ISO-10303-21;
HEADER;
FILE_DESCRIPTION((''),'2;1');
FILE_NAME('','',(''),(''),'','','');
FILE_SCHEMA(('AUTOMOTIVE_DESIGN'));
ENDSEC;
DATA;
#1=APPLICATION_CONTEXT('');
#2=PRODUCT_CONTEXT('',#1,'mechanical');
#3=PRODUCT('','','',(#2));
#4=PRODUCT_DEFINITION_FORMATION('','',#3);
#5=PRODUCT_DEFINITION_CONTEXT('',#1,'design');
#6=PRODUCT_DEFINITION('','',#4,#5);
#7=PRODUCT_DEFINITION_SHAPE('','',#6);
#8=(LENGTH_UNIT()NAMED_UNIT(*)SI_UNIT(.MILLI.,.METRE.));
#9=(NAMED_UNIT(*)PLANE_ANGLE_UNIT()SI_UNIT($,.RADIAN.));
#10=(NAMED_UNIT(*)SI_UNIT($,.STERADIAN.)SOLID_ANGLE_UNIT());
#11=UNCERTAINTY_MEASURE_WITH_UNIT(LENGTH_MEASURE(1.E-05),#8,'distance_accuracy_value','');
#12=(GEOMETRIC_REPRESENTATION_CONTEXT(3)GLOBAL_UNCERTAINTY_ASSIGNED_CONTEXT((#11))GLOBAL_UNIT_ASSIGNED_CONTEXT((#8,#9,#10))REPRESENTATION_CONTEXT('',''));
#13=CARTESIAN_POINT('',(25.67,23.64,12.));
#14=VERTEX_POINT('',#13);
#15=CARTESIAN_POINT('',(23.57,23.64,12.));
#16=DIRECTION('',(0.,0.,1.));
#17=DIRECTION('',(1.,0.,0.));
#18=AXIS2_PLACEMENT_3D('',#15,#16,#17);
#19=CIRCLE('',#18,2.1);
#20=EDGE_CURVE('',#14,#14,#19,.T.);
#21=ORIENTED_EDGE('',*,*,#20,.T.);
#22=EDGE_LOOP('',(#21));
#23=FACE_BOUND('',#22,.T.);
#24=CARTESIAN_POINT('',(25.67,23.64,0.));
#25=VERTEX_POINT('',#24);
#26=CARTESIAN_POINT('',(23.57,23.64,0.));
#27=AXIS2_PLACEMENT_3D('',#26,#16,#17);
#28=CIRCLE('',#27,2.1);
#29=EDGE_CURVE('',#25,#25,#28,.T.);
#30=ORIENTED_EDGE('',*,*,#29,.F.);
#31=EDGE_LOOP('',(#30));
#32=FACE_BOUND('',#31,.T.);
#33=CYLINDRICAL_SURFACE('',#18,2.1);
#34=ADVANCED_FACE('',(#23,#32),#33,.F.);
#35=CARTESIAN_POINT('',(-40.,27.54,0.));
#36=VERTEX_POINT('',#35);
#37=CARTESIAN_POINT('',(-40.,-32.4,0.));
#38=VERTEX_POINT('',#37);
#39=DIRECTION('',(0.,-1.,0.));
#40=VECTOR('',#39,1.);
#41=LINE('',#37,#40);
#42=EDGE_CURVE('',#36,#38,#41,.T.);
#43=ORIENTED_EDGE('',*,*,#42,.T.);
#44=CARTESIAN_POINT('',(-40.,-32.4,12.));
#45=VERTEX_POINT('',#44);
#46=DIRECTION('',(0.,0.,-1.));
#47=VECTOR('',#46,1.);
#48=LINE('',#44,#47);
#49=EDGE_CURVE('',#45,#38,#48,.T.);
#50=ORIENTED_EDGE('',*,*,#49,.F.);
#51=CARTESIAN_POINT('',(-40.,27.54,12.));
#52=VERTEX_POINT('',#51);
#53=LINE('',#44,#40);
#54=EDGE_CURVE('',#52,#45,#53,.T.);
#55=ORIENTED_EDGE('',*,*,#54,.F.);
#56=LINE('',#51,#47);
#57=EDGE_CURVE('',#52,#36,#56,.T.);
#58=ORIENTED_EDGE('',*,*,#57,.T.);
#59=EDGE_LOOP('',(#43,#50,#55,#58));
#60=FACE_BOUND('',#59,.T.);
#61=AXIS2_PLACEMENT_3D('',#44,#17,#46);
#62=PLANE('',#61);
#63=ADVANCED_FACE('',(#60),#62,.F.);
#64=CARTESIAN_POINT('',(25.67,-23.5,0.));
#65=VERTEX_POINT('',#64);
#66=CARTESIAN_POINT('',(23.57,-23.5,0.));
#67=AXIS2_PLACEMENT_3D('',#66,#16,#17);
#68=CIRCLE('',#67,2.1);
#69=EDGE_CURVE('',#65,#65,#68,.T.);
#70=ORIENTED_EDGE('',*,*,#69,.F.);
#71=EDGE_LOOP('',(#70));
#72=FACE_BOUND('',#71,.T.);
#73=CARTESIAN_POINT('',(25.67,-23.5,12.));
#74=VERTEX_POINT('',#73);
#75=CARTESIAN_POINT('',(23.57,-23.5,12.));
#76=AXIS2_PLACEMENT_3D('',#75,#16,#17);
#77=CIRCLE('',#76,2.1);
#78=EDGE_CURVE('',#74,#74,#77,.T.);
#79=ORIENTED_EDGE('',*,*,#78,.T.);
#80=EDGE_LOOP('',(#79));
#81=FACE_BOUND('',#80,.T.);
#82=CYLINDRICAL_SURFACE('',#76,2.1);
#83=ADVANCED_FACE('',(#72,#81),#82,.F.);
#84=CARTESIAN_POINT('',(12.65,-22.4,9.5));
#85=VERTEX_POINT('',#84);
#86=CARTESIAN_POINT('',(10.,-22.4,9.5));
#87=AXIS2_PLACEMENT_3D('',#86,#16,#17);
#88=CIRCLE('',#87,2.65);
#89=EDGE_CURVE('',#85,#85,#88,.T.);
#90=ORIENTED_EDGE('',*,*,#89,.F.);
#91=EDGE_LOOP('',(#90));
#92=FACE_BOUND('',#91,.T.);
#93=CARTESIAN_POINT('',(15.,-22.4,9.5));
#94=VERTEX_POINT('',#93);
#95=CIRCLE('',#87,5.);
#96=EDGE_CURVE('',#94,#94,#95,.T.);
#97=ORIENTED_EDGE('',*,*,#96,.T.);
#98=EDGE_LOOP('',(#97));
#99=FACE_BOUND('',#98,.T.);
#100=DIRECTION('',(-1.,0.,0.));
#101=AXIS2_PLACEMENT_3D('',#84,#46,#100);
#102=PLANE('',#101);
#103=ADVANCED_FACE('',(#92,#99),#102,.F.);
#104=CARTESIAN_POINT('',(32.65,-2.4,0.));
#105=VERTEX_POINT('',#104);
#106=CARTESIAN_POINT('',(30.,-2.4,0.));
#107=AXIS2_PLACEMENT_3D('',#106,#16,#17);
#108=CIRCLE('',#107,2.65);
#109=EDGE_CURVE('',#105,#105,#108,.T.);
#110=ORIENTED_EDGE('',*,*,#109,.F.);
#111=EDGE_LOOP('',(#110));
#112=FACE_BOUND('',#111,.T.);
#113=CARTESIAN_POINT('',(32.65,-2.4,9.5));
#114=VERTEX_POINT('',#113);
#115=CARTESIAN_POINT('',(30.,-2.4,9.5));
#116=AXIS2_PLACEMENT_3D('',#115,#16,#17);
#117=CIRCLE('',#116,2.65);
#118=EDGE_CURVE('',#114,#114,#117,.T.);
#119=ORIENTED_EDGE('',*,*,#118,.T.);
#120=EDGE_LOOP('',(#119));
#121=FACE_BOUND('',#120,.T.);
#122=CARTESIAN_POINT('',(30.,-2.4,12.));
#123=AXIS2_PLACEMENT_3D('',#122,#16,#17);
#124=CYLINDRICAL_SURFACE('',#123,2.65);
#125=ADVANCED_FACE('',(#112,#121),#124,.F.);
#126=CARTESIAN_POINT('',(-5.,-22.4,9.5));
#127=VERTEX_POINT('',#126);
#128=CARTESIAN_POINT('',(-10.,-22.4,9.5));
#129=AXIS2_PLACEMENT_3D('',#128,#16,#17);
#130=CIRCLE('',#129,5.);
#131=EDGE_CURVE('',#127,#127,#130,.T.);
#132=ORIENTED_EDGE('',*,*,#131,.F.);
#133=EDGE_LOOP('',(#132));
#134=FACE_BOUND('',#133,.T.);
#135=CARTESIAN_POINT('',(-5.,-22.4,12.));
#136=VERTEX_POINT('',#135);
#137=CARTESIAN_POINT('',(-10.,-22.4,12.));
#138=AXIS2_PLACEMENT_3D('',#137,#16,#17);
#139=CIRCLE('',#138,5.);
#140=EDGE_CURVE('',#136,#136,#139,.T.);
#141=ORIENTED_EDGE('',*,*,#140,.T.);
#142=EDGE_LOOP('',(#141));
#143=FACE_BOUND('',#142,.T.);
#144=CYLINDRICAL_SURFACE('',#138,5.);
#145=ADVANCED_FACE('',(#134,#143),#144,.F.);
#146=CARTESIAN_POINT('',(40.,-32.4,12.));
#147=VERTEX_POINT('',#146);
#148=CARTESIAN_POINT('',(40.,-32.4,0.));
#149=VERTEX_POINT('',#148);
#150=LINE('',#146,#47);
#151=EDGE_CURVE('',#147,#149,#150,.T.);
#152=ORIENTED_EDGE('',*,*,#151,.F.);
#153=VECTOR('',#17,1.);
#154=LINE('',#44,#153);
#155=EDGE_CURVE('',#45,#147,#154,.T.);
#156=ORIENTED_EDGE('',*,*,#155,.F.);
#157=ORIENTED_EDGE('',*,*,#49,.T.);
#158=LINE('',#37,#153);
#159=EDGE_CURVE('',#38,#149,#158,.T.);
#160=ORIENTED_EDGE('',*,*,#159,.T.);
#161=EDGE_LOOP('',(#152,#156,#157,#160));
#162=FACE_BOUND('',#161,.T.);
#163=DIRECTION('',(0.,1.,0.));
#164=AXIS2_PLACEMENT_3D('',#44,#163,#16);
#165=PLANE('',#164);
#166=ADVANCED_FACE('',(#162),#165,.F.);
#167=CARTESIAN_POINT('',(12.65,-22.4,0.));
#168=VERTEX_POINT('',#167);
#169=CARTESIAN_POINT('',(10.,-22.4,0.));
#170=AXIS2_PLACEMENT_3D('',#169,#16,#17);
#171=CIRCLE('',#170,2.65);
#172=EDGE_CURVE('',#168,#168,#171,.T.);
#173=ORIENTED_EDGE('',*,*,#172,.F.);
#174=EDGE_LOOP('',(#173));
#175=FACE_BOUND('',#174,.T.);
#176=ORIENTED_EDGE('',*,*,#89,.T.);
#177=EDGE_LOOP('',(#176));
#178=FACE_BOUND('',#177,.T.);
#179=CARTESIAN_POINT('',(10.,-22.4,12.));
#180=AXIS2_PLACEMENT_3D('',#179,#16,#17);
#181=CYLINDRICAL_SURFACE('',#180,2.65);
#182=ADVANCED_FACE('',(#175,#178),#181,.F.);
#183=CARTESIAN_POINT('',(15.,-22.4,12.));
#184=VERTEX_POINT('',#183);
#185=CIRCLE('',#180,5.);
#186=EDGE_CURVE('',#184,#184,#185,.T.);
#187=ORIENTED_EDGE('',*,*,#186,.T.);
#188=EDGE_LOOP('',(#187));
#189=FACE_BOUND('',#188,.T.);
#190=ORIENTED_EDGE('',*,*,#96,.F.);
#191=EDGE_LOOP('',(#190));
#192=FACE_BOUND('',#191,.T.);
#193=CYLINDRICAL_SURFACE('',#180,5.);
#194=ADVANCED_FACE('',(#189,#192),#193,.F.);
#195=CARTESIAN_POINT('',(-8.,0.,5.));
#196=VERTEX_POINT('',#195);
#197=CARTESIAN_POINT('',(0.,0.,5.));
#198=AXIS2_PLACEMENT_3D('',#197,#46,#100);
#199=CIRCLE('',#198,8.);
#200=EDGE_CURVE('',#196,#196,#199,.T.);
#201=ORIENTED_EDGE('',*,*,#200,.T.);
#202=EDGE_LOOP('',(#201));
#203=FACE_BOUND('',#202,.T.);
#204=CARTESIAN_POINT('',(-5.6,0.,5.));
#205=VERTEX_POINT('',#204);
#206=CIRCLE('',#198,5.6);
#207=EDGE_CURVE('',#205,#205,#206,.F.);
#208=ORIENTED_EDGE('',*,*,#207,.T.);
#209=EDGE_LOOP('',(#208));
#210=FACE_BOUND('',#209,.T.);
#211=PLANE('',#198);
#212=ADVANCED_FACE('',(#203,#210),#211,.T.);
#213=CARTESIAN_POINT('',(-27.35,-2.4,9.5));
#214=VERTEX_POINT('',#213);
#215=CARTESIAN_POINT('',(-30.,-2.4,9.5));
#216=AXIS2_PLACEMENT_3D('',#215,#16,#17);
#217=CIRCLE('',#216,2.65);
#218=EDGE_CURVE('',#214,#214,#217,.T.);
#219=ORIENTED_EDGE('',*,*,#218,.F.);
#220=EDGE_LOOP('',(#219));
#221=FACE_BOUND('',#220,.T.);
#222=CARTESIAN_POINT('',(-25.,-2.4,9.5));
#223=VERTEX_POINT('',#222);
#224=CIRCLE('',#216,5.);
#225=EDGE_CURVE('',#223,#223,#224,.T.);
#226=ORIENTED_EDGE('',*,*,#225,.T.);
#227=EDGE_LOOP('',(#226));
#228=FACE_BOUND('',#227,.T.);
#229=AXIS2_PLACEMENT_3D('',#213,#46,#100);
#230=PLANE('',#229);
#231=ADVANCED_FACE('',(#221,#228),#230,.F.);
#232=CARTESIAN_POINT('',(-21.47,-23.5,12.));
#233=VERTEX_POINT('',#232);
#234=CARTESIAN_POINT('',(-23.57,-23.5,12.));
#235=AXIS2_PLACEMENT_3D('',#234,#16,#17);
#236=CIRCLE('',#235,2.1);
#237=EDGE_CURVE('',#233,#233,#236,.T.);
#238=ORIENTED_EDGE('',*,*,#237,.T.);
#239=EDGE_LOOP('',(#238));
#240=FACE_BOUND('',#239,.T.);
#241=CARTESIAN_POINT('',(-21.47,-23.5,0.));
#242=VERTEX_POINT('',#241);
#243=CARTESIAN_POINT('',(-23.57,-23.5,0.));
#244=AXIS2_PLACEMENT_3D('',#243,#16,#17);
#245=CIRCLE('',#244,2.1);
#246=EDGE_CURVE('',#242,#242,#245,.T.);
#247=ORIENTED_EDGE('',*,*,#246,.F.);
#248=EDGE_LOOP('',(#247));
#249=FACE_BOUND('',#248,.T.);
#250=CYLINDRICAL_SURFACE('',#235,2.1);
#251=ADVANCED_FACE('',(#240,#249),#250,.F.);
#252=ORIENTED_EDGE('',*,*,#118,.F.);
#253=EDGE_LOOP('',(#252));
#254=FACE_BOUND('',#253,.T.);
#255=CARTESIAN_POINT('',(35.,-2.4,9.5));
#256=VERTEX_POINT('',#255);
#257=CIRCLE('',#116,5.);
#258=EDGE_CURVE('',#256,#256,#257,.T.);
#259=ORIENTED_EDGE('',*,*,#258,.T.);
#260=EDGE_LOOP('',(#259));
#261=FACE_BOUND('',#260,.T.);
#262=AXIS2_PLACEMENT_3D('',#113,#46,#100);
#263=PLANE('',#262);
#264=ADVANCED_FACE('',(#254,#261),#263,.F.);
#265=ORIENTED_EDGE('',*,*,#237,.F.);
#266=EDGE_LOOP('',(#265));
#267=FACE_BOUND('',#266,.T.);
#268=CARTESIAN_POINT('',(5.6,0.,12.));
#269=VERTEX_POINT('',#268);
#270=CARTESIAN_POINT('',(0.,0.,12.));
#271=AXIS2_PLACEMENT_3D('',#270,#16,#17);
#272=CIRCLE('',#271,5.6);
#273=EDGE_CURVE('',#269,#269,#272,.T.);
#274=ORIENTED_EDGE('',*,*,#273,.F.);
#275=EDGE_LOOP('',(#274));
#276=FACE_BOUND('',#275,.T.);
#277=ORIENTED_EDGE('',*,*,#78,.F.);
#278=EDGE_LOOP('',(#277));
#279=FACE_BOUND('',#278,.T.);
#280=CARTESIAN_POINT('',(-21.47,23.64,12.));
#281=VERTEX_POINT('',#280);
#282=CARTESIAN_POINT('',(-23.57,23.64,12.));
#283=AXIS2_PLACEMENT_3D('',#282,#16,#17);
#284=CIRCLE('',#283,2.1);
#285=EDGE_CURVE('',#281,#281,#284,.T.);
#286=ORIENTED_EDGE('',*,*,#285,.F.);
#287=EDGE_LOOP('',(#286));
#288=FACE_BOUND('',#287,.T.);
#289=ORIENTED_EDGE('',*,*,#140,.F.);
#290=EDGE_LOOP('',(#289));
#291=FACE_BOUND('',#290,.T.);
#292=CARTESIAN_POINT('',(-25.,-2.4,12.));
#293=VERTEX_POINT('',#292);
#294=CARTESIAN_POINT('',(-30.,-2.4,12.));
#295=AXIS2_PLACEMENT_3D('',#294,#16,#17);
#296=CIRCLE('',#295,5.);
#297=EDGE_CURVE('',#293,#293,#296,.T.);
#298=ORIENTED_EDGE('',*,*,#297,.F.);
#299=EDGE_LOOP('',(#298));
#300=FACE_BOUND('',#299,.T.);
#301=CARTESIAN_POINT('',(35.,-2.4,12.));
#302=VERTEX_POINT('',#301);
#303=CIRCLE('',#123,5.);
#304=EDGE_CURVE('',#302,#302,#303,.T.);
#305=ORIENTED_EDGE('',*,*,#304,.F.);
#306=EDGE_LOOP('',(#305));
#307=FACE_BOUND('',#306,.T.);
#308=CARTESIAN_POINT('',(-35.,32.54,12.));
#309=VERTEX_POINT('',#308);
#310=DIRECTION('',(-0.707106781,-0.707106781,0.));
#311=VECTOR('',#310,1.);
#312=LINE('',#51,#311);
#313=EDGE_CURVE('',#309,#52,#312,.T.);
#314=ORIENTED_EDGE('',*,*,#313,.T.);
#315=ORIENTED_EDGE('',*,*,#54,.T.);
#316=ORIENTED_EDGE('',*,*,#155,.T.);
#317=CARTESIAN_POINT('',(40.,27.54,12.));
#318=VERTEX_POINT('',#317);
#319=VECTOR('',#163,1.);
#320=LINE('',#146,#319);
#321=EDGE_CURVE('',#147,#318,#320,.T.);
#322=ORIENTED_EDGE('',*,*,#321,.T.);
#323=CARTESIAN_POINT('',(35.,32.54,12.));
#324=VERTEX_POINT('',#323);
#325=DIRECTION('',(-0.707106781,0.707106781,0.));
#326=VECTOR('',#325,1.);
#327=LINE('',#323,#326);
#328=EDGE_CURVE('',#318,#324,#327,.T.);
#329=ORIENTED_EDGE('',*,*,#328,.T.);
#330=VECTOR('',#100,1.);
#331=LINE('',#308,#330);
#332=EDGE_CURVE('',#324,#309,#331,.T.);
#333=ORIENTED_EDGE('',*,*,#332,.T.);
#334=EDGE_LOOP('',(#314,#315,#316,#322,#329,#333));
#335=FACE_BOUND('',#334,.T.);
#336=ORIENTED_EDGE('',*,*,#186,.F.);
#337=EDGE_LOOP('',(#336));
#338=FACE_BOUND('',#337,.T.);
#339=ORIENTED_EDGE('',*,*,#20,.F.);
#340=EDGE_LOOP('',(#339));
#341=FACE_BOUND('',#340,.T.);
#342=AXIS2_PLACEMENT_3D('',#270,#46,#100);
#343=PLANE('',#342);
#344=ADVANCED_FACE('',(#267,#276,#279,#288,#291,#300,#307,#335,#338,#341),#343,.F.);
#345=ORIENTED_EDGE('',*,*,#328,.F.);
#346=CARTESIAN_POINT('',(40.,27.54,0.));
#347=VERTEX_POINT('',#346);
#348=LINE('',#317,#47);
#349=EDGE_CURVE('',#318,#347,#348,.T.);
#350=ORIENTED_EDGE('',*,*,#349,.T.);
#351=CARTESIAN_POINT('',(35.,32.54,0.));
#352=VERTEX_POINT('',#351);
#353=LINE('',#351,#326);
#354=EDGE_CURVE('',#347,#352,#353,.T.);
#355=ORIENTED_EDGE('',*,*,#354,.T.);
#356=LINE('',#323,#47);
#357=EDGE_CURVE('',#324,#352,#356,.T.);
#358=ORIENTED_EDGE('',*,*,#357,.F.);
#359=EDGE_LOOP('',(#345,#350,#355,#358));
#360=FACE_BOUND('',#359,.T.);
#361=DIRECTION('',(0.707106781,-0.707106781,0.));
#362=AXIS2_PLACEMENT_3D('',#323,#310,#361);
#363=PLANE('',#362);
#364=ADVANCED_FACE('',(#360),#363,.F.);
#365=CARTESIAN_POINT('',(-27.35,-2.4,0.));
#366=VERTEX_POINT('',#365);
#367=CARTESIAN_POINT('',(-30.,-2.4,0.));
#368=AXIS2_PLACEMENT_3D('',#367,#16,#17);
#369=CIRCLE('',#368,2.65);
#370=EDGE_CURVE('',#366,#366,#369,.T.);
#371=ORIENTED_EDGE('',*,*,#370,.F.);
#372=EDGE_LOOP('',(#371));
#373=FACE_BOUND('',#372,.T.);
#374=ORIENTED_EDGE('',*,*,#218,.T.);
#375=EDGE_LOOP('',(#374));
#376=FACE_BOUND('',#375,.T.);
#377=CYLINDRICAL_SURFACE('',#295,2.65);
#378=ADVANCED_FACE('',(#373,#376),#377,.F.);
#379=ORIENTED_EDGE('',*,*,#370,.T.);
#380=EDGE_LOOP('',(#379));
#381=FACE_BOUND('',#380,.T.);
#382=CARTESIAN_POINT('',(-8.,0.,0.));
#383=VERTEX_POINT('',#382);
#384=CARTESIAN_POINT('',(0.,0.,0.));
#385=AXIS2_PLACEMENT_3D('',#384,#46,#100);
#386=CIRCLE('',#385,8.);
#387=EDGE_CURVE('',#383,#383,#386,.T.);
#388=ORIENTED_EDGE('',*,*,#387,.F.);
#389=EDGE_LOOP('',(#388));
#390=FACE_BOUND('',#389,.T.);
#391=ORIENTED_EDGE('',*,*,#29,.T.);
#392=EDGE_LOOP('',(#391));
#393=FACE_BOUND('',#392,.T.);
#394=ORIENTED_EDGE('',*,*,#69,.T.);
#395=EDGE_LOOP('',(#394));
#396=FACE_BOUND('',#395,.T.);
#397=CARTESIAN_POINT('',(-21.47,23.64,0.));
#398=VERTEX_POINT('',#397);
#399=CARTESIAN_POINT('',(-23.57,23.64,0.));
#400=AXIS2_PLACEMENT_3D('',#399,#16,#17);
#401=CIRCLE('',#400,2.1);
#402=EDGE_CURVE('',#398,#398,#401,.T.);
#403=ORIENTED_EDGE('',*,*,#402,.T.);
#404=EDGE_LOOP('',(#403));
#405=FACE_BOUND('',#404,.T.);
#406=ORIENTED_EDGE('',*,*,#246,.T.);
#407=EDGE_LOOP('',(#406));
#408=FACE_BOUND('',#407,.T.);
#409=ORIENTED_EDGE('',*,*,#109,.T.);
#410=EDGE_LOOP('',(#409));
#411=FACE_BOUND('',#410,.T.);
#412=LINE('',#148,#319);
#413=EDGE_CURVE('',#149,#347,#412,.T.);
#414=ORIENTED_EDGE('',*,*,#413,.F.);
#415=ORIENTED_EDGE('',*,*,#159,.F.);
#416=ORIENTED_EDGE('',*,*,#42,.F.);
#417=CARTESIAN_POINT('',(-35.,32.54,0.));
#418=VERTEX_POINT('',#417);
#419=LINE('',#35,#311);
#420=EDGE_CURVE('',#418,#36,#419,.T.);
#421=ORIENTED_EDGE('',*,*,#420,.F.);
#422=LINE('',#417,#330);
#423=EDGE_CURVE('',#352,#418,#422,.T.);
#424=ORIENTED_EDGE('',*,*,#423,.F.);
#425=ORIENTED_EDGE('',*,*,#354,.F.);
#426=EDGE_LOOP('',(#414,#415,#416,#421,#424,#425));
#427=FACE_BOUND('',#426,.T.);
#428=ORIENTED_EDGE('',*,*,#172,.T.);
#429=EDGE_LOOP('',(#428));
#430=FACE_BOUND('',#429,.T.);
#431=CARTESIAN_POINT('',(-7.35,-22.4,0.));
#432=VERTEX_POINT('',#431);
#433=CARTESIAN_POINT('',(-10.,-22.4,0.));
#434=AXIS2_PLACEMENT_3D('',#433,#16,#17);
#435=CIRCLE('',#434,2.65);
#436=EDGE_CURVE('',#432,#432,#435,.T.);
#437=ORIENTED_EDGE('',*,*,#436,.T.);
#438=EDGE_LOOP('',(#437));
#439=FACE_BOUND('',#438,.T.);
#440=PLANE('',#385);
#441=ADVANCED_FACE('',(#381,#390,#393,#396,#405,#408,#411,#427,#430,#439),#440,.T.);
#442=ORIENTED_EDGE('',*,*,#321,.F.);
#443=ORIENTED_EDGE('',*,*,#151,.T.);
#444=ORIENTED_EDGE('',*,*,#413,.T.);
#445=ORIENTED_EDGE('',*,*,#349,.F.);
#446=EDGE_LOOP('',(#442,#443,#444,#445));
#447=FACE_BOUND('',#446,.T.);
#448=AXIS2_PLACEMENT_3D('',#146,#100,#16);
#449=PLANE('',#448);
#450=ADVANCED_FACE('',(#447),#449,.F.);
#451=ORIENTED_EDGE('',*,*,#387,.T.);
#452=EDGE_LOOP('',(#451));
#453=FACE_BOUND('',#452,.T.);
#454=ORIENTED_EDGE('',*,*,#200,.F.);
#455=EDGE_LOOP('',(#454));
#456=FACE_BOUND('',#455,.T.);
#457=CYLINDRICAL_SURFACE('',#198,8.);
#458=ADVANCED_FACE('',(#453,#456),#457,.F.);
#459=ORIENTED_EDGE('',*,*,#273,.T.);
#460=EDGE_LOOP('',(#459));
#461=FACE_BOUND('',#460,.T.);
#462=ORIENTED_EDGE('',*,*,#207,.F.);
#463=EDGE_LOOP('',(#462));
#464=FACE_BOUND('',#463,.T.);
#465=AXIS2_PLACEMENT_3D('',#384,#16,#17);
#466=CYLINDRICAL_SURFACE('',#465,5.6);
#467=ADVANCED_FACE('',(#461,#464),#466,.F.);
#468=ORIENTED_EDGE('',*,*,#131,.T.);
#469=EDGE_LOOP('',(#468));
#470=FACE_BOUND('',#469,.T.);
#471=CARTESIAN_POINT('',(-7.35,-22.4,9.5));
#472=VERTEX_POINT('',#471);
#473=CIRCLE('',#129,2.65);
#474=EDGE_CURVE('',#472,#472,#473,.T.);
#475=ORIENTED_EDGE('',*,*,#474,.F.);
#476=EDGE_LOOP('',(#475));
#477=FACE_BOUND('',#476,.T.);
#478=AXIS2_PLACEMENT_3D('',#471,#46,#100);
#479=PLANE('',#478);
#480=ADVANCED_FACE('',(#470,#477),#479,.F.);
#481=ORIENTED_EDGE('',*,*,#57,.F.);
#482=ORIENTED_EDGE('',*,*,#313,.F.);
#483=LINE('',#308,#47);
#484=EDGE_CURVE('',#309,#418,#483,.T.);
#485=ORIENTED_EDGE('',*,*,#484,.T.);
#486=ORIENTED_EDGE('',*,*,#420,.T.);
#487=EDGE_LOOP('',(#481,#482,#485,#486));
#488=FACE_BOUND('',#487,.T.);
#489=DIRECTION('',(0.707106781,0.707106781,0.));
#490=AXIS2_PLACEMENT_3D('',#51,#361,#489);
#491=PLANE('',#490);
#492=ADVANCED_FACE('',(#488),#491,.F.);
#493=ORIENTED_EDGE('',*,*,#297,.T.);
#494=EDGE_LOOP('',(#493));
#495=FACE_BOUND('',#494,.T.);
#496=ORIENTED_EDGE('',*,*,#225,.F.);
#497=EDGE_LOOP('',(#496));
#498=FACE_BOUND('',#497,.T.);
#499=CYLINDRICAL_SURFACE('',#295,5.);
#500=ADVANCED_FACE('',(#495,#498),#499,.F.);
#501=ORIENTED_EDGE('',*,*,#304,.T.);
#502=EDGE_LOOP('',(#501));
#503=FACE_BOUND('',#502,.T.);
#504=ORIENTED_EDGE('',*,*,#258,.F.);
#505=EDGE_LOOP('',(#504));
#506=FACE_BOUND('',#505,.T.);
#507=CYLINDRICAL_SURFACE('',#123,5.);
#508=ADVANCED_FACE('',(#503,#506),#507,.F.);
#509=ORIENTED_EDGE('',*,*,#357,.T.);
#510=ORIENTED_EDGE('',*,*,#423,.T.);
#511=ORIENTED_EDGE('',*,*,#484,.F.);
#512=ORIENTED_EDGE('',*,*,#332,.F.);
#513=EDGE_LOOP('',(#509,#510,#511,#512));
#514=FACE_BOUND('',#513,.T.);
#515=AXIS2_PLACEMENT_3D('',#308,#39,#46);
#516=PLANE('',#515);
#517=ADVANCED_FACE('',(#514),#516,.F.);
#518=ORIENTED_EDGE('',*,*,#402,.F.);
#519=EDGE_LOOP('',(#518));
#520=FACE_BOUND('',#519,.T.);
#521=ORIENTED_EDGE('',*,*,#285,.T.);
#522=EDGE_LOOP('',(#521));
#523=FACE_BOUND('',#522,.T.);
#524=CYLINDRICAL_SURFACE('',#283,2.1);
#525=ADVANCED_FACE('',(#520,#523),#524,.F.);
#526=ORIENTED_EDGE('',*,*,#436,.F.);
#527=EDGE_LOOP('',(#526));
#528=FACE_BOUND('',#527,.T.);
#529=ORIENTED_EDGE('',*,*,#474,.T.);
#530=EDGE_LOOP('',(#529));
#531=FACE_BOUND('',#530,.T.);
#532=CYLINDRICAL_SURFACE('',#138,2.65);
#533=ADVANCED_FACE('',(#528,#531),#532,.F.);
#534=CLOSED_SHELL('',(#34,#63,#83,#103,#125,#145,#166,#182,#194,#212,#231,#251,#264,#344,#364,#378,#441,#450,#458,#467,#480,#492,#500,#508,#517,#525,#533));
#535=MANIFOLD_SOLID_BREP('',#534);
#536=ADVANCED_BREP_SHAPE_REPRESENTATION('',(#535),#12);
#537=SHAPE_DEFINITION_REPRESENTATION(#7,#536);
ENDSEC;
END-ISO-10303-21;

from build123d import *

# Parameters (mm, degrees)
BOSS_EXTRUDE1_DEPTH                                 = 12
M5_TAPPED_HOLE1_D                                   = 4.2
CBORE_FOR_M5_HEX_SOCKET_HEAD_CAP_SCREW1_D           = 5.3
CBORE_FOR_M5_HEX_SOCKET_HEAD_CAP_SCREW1_CBORE_D     = 10
CBORE_FOR_M5_HEX_SOCKET_HEAD_CAP_SCREW1_CBORE_DEPTH = 2.5
SKETCH8_R                                           = 5.6
CUT_EXTRUDE1_DEPTH                                  = 12
SKETCH9_R                                           = 8
CUT_EXTRUDE2_DEPTH                                  = 5


with BuildPart() as part:
    # Sketch3 → Boss-Extrude1 (new body)
    with BuildSketch(Plane.XY):
        Polygon((-40, -32.4), (40, -32.4), (40, 27.54), (35, 32.54), (-35, 32.54), (-40, 27.54), align=None)
    extrude(amount=BOSS_EXTRUDE1_DEPTH)

    # M5 Tapped Hole1 (through all)
    with Locations(Plane.XY.offset(12)):
        with Locations((-23.57, -23.5), (-23.57, 23.64), (23.57, 23.64), (23.57, -23.5)):
            Hole(M5_TAPPED_HOLE1_D / 2)

    # CBORE for M5 Hex Socket Head Cap Screw1 (through all)
    with Locations(Plane.XY.offset(12)):
        with Locations((-30, -2.4), (-10, -22.4), (10, -22.4), (30, -2.4)):
            CounterBoreHole(CBORE_FOR_M5_HEX_SOCKET_HEAD_CAP_SCREW1_D / 2, CBORE_FOR_M5_HEX_SOCKET_HEAD_CAP_SCREW1_CBORE_D / 2, CBORE_FOR_M5_HEX_SOCKET_HEAD_CAP_SCREW1_CBORE_DEPTH)

    # Sketch8 → Cut-Extrude1 (cut)
    with BuildSketch(Plane.XY.offset(12)):
        Circle(SKETCH8_R)
    extrude(amount=-CUT_EXTRUDE1_DEPTH, mode=Mode.SUBTRACT)

    # Sketch9 → Cut-Extrude2 (cut)
    with BuildSketch(Plane(origin=(0, 0, 0), x_dir=(-1, 0, 0), z_dir=(0, 0, -1))):
        Circle(SKETCH9_R)
    extrude(amount=-CUT_EXTRUDE2_DEPTH, mode=Mode.SUBTRACT)


solid = part.part
